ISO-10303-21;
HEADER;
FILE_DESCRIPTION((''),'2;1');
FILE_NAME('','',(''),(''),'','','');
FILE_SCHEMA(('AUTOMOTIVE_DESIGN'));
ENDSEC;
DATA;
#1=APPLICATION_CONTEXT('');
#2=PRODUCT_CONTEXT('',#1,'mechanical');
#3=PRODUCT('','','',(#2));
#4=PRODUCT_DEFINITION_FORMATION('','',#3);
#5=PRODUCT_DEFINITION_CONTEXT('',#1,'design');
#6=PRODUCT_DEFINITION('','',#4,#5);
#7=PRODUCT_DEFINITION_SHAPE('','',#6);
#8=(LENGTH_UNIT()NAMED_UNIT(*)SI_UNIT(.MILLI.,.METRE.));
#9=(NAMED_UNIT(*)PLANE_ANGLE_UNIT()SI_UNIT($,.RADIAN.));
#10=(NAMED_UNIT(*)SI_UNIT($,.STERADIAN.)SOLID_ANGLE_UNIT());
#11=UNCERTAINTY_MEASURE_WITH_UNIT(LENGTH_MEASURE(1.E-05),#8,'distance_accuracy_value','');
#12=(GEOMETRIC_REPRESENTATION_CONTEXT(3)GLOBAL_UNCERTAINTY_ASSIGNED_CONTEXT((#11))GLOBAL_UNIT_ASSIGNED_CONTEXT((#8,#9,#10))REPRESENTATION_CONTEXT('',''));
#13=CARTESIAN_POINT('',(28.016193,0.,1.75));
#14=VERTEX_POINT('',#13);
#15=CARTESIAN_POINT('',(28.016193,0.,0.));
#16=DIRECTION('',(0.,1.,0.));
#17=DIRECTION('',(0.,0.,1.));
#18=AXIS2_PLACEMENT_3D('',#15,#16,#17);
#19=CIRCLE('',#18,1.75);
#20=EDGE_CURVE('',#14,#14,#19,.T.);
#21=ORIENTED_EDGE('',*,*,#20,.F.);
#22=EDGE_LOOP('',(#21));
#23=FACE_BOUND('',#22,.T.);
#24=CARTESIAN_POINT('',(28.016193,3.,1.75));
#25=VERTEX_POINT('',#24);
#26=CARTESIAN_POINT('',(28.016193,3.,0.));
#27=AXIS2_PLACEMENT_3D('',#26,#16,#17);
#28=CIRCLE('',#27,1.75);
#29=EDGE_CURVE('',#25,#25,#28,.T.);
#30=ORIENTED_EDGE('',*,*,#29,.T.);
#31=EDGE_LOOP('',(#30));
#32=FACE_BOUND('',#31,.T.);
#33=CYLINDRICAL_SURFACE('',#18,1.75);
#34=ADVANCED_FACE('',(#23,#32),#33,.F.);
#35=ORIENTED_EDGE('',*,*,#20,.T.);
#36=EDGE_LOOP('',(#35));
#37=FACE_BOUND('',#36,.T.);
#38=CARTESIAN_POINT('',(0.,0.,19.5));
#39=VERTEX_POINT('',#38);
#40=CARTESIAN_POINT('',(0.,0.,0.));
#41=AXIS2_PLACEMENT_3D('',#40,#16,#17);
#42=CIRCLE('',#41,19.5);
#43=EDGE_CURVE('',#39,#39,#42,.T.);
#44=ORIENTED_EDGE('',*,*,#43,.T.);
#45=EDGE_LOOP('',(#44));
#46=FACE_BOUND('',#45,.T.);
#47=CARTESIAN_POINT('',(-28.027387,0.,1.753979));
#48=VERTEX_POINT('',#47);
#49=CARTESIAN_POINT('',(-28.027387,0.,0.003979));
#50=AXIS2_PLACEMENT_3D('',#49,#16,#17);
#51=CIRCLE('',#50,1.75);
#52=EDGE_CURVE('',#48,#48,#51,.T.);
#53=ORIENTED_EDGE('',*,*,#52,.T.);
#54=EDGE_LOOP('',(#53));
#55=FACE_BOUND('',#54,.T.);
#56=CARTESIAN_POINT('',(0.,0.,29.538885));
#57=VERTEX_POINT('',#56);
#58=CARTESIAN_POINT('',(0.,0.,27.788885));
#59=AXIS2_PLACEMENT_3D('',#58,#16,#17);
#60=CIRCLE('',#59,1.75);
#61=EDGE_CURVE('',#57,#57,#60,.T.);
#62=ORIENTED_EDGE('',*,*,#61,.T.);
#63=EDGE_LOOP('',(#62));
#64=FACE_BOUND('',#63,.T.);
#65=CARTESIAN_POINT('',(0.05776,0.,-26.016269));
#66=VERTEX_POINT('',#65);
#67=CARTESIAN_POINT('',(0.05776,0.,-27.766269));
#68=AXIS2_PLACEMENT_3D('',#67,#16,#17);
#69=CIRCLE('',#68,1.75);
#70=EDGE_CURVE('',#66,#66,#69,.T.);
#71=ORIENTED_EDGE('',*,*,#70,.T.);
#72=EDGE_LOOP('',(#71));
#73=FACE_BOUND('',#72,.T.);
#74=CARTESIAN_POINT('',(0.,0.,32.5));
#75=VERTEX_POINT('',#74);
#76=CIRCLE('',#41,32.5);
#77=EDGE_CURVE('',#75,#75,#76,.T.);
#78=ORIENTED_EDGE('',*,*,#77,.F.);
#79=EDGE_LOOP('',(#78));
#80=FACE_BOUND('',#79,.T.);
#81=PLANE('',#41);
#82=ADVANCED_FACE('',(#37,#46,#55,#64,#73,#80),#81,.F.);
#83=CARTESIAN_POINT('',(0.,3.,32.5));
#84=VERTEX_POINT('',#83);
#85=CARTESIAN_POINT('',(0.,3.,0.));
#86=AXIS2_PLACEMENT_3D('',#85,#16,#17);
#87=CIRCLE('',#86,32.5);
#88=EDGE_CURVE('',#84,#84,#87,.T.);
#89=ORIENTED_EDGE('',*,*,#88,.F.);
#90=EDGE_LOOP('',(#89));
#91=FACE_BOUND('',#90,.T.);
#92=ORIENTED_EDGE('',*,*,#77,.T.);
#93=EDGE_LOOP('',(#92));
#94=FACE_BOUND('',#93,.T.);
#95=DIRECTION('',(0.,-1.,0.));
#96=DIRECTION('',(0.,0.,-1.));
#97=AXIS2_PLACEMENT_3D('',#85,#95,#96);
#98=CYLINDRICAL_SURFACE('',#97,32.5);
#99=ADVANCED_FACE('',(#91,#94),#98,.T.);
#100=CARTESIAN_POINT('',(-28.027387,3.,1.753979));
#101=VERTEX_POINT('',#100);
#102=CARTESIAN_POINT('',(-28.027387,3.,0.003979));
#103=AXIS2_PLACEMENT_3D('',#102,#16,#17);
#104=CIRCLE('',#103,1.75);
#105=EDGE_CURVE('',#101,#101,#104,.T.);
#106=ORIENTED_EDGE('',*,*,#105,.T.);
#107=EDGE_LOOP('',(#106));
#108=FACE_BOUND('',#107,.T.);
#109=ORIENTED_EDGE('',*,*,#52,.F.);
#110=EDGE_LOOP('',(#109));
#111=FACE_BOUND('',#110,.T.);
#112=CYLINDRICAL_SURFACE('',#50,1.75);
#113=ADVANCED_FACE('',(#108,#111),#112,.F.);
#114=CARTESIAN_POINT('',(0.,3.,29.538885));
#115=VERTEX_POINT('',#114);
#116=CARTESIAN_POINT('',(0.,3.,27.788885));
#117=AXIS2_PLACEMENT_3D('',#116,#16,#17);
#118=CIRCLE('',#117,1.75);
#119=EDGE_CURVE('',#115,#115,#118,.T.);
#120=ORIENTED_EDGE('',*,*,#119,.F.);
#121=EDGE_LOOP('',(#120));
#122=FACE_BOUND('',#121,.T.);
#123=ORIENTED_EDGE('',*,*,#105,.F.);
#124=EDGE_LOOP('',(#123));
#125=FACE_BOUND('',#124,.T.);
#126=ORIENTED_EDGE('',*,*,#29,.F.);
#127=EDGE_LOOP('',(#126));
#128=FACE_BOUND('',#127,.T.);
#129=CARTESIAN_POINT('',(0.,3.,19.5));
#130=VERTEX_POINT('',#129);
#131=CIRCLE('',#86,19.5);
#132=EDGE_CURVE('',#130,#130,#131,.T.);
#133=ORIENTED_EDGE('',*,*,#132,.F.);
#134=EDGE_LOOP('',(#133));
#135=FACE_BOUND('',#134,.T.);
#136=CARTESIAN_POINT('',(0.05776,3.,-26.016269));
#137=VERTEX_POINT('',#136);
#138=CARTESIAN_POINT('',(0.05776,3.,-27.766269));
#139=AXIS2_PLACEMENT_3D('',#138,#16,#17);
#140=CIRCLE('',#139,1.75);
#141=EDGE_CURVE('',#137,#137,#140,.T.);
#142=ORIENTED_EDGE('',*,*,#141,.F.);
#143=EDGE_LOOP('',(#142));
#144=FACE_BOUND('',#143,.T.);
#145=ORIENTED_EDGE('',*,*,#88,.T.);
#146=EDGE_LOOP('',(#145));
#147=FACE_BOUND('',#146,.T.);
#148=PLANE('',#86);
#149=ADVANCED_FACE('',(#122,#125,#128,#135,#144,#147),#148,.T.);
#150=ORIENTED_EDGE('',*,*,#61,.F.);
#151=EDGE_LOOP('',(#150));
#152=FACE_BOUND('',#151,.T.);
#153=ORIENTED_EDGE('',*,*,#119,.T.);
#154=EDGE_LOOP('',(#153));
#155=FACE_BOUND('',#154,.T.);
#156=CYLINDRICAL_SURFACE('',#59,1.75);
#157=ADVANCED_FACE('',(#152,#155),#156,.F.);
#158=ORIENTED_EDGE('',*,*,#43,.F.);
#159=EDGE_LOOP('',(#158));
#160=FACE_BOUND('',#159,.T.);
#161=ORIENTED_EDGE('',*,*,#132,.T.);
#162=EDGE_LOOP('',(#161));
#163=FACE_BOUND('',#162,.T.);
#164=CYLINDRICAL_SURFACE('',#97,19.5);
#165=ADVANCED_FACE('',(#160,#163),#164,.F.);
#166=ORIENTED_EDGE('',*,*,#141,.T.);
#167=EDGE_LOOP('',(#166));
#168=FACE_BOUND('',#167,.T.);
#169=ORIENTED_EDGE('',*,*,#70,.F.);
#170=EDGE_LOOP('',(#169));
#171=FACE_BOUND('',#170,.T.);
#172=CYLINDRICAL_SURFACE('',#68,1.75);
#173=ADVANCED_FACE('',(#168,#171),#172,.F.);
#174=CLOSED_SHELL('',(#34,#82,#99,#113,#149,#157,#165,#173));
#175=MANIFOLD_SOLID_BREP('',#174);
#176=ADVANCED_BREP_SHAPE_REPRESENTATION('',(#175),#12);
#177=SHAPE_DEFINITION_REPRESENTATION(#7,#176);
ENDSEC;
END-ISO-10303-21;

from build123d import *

# Parameters (mm, degrees)
SKETCH1_R                = 32.5
SKETCH1_R_2              = 19.5
BOSS_EXTRUDE2_DEPTH      = 3
SKETCH2_R                = 1.75
CUT_EXTRUDE2_DEPTH       = 1
CUT_EXTRUDE2_DEPTH_BACK  = 4
SKETCH5_R                = 1.75
CUT_EXTRUDE4_DEPTH       = 1
CUT_EXTRUDE4_DEPTH_BACK  = 4
SKETCH13_R               = 1.75
CUT_EXTRUDE12_DEPTH      = 1
CUT_EXTRUDE12_DEPTH_BACK = 4


with BuildPart() as part:
    # Sketch1 → Boss-Extrude2 (new body)
    with BuildSketch(Plane(origin=(0, 0, 0), x_dir=(1, 0, 0), z_dir=(0, 1, 0))):
        Circle(SKETCH1_R)
        Circle(SKETCH1_R_2, mode=Mode.SUBTRACT)
    extrude(amount=BOSS_EXTRUDE2_DEPTH)

    # Sketch2 → Cut-Extrude2 (cut, two sides)
    with BuildSketch(Plane(origin=(0, 3, 0), x_dir=(1, 0, 0), z_dir=(0, 1, 0))) as cut_extrude2_sk:
        with Locations((0, -27.788884535)):
            Circle(SKETCH2_R)
    extrude(amount=CUT_EXTRUDE2_DEPTH, mode=Mode.SUBTRACT)
    extrude(cut_extrude2_sk.sketch, amount=-CUT_EXTRUDE2_DEPTH_BACK, mode=Mode.SUBTRACT)

    # Sketch5 → Cut-Extrude4 (cut, two sides)
    with BuildSketch(Plane(origin=(0, 3, 0), x_dir=(1, 0, 0), z_dir=(0, 1, 0))) as cut_extrude4_sk:
        with Locations((0.057759675, 27.766269398)):
            Circle(SKETCH5_R)
    extrude(amount=CUT_EXTRUDE4_DEPTH, mode=Mode.SUBTRACT)
    extrude(cut_extrude4_sk.sketch, amount=-CUT_EXTRUDE4_DEPTH_BACK, mode=Mode.SUBTRACT)

    # Sketch13 → Cut-Extrude12 (cut, two sides)
    with BuildSketch(Plane(origin=(0, 3, 0), x_dir=(1, 0, 0), z_dir=(0, 1, 0))) as cut_extrude12_sk:
        with Locations((-28.027387252, -0.003979104)):
            Circle(SKETCH13_R)
        with Locations((28.01619309, 0)):
            Circle(SKETCH13_R)
    extrude(amount=CUT_EXTRUDE12_DEPTH, mode=Mode.SUBTRACT)
    extrude(cut_extrude12_sk.sketch, amount=-CUT_EXTRUDE12_DEPTH_BACK, mode=Mode.SUBTRACT)


solid = part.part
